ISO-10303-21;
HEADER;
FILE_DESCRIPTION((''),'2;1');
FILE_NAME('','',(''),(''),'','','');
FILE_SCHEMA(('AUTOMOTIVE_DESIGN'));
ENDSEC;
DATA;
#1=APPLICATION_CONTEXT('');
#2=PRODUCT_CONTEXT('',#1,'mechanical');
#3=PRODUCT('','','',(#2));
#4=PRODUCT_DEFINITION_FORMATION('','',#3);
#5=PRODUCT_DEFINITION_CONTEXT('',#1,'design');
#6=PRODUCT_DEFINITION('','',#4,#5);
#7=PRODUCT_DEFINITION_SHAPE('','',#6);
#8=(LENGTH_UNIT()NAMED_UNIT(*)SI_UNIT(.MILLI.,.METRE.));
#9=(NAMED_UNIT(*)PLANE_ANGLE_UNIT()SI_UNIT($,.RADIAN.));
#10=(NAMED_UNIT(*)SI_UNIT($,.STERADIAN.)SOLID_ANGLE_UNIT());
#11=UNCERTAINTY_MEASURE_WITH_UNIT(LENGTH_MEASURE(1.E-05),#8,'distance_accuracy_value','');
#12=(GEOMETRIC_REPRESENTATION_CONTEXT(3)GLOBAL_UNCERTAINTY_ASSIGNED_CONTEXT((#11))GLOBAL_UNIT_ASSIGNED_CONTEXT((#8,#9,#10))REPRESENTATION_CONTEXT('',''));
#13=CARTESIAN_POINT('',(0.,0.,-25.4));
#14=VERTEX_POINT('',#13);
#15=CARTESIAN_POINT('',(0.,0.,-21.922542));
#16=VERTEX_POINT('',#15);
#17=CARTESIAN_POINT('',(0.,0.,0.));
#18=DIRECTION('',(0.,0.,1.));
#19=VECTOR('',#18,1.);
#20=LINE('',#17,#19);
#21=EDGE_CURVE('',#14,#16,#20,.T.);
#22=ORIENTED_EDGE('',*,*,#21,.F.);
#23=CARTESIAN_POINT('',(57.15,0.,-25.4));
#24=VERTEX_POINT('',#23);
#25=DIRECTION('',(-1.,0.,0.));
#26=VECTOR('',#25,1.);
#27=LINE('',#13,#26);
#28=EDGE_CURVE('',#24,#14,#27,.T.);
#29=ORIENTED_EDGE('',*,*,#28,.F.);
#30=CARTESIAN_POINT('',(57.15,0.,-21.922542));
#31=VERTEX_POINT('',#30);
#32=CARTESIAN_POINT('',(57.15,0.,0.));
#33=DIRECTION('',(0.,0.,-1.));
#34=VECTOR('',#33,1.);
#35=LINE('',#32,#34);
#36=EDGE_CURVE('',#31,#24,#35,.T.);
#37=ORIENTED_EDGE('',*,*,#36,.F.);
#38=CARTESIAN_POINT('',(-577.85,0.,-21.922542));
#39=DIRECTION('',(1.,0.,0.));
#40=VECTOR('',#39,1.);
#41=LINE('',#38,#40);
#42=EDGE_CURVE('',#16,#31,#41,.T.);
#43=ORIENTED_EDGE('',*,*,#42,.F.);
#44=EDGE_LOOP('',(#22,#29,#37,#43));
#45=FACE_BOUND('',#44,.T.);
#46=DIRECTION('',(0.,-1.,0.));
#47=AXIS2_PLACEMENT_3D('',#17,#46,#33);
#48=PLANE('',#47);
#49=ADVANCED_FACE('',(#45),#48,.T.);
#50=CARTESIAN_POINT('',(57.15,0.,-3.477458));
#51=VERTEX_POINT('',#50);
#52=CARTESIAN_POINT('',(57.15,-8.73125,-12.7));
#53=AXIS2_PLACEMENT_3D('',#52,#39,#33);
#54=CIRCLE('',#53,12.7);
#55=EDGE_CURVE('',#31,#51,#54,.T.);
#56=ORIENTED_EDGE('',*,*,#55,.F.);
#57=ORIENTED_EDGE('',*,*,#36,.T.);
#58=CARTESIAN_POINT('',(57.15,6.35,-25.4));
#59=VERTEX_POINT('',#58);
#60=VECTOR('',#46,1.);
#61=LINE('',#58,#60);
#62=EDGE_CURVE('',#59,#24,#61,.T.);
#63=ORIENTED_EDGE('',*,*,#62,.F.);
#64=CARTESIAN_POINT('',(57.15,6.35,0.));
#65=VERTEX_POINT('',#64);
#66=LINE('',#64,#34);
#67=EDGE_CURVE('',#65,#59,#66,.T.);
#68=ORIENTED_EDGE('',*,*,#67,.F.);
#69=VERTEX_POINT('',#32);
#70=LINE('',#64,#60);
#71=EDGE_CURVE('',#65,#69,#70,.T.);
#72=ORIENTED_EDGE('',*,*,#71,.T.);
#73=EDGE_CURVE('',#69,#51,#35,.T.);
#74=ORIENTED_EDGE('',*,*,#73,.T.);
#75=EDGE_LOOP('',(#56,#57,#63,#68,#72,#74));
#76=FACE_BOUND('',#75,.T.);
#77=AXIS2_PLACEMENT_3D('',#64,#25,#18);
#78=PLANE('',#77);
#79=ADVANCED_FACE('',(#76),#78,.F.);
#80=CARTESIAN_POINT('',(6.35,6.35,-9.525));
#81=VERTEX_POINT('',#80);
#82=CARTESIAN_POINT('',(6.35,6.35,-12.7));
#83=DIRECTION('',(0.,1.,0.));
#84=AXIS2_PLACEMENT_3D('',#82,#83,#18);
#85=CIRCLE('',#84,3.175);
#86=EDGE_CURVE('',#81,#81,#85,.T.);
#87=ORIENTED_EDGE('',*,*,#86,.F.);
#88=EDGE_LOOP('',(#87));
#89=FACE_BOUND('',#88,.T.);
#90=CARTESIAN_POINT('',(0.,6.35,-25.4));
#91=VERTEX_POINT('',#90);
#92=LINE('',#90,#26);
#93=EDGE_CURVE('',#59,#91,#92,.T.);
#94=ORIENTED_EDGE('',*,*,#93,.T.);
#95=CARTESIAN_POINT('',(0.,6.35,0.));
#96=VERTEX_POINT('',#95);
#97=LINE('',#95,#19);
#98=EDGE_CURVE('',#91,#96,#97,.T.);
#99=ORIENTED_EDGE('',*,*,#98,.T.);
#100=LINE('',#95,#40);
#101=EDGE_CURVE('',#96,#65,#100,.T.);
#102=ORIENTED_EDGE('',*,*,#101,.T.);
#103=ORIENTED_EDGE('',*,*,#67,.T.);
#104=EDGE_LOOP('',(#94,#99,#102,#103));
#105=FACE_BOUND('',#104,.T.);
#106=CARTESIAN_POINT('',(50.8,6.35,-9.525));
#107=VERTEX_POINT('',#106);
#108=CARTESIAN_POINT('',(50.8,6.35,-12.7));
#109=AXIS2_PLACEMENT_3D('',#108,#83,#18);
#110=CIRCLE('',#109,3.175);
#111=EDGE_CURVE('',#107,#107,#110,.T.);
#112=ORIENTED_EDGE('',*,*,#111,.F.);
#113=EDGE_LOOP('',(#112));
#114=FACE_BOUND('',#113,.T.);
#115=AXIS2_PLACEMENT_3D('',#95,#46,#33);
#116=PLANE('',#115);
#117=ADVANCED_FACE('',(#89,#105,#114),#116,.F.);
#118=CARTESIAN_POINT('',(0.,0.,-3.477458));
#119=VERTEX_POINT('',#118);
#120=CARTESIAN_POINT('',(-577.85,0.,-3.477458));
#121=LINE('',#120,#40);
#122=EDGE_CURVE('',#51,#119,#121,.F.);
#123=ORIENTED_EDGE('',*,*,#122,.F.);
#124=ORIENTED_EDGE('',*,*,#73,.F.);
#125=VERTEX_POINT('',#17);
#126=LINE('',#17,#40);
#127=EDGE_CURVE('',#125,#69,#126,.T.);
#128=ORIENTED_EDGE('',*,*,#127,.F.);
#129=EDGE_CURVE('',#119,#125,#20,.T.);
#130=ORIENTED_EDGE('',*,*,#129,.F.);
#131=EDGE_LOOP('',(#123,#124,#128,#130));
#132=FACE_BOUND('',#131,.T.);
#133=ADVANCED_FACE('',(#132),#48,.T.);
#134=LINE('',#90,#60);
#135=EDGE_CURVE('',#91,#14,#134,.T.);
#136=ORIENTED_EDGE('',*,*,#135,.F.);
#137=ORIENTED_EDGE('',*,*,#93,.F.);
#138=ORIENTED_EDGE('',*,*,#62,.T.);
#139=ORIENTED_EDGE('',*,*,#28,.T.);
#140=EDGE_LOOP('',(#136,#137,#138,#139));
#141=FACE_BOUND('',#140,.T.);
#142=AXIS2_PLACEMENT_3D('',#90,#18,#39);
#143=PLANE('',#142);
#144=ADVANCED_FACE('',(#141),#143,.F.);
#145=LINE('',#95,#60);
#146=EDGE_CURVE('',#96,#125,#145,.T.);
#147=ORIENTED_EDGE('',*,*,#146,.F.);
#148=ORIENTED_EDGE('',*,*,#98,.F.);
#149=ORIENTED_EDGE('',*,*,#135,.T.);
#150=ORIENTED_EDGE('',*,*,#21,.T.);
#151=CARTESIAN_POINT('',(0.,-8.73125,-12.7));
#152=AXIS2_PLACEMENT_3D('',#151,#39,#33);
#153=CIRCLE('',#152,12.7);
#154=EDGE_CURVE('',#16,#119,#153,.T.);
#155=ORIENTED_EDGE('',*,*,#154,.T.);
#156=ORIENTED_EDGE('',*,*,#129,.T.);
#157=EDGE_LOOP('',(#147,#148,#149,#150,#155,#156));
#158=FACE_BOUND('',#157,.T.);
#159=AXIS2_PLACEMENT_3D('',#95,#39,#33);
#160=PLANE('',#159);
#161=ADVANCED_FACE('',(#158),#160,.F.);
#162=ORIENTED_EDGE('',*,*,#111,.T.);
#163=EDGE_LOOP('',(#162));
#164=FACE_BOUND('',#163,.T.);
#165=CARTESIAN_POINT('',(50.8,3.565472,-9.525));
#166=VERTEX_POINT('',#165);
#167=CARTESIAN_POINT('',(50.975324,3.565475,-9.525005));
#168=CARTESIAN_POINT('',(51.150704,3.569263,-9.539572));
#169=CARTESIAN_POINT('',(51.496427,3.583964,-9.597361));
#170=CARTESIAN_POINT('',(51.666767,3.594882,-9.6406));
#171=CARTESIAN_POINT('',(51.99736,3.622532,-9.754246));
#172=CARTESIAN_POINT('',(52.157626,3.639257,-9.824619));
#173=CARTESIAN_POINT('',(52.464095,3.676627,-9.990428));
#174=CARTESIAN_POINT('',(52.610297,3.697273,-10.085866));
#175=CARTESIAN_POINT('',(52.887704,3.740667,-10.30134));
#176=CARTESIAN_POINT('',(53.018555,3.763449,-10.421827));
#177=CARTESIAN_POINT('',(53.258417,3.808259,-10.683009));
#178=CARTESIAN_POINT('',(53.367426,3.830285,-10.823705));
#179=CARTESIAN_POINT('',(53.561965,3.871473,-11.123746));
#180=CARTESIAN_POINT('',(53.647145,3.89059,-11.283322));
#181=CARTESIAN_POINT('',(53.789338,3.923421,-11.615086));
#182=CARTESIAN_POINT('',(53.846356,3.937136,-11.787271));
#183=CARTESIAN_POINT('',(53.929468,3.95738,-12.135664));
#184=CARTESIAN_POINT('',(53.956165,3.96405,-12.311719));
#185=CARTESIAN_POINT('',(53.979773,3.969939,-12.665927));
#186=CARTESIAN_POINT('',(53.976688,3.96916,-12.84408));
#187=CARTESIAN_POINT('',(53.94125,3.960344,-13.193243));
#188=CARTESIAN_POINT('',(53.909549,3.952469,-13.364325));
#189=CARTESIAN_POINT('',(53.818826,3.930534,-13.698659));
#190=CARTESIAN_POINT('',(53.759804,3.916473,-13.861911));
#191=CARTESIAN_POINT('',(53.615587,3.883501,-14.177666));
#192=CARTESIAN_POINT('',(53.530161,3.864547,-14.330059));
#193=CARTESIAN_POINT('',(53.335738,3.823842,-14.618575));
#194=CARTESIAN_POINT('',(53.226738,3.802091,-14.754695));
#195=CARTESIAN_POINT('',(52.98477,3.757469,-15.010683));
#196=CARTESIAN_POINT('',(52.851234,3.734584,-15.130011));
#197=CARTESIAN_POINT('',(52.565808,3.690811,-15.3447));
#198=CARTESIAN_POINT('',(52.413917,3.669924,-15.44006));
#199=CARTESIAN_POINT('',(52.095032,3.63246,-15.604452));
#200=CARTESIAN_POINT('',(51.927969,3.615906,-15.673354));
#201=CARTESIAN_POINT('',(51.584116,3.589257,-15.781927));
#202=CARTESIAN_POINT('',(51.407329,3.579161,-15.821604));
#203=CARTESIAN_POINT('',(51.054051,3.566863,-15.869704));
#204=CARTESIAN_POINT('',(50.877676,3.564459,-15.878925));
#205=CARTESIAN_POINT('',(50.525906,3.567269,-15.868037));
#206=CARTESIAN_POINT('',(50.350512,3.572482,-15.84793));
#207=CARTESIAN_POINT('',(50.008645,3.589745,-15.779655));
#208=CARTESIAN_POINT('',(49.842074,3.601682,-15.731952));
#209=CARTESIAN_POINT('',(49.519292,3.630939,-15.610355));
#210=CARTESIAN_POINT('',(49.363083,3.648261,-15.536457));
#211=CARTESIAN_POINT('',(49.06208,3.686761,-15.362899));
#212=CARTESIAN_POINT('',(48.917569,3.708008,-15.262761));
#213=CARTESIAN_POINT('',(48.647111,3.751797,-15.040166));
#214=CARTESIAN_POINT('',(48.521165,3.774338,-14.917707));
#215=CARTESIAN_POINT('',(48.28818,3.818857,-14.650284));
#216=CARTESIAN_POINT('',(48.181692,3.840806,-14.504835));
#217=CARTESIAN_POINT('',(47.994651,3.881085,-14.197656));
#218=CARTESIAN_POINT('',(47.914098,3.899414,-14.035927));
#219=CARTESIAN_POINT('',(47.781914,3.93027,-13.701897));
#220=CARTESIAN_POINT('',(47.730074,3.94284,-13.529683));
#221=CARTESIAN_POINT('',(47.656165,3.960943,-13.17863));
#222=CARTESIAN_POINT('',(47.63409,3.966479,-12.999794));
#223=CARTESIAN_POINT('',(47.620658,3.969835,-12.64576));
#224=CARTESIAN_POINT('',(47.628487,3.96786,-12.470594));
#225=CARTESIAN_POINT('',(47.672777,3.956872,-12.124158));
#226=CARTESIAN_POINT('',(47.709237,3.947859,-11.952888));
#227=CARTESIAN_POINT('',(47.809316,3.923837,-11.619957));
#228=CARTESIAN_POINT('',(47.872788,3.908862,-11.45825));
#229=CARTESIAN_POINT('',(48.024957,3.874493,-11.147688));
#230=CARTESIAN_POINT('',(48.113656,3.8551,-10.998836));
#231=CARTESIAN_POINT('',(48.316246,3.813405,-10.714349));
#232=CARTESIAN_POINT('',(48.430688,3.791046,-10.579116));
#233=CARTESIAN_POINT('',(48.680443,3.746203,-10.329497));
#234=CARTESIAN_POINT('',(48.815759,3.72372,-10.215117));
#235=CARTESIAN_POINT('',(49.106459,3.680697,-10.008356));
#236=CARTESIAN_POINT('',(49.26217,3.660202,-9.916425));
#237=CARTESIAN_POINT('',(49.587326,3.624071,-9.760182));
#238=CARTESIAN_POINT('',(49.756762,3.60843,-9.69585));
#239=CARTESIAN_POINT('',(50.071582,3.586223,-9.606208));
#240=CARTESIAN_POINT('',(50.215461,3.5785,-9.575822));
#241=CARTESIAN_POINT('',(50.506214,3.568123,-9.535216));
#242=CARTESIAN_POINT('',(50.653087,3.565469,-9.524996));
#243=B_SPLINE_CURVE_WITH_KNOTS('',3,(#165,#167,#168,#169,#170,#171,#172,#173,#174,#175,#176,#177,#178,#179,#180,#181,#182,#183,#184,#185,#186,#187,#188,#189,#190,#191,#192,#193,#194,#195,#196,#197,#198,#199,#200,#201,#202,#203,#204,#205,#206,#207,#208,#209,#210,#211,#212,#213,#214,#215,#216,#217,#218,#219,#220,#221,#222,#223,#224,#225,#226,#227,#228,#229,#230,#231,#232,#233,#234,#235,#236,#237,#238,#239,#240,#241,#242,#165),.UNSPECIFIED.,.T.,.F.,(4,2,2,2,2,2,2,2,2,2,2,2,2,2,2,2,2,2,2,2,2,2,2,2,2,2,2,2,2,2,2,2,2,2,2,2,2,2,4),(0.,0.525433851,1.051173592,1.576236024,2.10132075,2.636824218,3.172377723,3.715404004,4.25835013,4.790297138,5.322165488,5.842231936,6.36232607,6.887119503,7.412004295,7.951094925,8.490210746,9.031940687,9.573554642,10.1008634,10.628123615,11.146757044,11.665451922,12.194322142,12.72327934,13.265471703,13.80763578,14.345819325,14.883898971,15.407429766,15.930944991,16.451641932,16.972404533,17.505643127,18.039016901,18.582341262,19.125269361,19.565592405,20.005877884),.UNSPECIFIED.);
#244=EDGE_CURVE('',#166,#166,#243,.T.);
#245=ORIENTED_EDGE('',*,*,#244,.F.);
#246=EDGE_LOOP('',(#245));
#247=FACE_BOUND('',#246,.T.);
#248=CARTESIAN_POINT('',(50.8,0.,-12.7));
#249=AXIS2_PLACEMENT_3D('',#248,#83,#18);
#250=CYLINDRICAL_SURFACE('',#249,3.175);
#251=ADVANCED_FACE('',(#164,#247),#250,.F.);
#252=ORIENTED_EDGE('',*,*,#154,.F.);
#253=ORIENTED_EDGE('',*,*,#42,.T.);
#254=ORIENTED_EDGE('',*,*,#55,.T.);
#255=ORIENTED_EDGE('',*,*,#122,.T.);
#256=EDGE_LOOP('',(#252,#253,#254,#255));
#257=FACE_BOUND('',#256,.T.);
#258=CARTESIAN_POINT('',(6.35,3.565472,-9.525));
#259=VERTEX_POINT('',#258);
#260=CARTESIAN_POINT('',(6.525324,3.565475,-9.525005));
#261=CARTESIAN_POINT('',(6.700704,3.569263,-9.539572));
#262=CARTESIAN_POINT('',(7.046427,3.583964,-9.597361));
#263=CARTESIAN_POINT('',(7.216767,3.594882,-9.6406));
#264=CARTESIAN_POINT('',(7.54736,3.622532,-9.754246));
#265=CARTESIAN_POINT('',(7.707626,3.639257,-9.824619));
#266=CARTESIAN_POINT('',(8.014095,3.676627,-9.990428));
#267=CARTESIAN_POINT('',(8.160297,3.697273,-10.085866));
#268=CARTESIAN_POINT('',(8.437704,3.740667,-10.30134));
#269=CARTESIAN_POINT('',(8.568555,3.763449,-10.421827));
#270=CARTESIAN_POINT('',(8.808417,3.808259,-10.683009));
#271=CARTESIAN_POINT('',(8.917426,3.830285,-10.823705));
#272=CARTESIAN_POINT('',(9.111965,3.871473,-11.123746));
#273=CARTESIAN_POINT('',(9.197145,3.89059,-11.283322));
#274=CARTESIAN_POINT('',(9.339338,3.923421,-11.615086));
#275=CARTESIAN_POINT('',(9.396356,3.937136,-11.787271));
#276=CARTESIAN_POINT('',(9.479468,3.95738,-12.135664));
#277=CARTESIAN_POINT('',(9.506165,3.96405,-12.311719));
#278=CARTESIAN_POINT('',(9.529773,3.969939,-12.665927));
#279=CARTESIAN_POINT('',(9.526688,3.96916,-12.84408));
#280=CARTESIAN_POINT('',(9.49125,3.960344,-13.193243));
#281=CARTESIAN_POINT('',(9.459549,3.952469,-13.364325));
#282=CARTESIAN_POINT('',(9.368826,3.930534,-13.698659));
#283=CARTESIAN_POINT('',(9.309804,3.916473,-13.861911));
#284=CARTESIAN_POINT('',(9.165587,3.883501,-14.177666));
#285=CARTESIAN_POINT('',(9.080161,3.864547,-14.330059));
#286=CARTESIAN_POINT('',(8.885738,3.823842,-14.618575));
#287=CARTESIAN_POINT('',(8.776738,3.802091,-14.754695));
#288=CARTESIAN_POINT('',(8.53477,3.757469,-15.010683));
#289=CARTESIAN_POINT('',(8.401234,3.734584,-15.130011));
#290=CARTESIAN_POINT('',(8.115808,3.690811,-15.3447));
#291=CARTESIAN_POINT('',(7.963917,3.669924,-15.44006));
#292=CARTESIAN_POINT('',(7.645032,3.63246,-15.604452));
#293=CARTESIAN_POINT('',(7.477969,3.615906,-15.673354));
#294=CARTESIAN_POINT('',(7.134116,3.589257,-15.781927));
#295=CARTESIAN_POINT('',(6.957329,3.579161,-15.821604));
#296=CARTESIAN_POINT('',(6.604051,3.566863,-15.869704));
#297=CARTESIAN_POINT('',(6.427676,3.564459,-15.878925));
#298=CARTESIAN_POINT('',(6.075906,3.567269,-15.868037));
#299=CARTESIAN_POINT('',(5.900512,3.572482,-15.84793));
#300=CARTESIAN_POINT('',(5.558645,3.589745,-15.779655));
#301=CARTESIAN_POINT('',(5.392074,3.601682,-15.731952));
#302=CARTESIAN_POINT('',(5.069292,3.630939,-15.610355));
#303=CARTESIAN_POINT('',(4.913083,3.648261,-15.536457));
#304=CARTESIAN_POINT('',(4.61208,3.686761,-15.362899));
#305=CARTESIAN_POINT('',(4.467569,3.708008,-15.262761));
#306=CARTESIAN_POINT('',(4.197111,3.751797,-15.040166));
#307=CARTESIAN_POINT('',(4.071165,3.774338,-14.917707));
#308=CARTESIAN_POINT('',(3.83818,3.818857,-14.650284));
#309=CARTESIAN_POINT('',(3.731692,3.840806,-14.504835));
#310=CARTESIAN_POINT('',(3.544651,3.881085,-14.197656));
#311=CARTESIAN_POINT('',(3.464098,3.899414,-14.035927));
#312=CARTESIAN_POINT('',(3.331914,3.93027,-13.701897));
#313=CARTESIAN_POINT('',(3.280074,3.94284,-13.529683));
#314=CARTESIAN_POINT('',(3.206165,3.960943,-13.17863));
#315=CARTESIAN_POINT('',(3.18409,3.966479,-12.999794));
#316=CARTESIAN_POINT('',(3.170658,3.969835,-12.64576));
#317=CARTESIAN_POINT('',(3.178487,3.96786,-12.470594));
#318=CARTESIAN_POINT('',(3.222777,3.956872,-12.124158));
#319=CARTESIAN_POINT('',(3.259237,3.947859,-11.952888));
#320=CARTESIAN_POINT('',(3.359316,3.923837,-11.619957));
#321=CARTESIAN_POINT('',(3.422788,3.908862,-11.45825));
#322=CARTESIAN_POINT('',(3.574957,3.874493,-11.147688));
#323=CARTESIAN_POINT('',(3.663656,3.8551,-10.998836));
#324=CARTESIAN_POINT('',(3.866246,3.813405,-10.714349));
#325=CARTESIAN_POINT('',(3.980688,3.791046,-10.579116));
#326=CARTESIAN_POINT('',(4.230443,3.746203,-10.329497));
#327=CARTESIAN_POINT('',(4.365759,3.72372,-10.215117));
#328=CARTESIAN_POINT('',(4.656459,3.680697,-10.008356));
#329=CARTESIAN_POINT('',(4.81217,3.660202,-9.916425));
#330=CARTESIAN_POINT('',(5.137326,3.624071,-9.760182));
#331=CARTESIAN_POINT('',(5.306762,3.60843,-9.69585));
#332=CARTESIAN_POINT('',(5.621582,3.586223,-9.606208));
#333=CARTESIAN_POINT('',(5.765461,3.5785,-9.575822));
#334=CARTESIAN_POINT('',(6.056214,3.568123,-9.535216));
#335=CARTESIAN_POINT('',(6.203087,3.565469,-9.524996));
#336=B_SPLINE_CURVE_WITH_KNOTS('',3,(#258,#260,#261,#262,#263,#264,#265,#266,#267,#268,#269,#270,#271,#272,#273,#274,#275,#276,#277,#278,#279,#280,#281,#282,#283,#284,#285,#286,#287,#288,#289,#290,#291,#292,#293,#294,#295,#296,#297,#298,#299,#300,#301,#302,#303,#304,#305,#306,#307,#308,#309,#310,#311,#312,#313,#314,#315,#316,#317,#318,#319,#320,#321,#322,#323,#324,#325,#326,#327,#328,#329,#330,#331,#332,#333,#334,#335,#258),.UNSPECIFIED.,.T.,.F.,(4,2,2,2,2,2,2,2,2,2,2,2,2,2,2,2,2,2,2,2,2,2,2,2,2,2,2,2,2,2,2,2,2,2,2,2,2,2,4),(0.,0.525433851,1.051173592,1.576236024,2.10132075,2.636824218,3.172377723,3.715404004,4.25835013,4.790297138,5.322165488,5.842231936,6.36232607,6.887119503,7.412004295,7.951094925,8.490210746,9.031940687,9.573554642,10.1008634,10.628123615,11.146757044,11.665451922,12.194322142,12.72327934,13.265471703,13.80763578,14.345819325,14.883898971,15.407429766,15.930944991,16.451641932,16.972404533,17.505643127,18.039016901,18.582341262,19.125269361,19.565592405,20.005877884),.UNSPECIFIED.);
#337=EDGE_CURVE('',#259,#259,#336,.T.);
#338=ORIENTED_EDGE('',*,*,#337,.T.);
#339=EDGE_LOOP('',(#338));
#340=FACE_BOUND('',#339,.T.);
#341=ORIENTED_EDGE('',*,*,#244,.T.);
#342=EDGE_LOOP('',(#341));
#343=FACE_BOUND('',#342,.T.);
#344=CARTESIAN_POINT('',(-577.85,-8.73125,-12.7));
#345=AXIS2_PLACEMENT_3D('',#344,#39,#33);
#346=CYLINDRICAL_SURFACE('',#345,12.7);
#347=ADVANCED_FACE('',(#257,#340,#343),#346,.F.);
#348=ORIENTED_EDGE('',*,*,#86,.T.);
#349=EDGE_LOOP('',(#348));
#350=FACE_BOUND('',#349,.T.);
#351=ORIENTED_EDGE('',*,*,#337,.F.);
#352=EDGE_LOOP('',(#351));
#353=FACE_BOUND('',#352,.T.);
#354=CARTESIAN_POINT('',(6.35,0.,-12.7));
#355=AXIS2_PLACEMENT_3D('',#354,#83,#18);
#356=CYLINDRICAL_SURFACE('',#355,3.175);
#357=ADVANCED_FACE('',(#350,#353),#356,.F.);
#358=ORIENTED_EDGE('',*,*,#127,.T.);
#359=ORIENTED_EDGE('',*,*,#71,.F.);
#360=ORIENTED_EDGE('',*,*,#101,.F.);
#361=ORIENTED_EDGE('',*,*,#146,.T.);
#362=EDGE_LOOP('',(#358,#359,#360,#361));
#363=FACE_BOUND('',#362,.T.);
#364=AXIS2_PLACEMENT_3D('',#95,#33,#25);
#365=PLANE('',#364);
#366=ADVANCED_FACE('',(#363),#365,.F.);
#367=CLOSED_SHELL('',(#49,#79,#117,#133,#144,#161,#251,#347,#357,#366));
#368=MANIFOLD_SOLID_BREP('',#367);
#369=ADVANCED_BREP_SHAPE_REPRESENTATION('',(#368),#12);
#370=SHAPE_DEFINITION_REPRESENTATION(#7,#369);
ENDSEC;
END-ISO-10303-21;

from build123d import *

# Parameters (mm, degrees)
SKETCH1_W           = 57.15
SKETCH1_H           = 25.4
BOSS_EXTRUDE1_DEPTH = 6.35
CUT_EXTRUDE1_DEPTH  = 635
SKETCH3_R           = 3.175
CUT_EXTRUDE2_DEPTH  = 6.35


with BuildPart() as part:
    # Sketch1 → Boss-Extrude1 (new body)
    with BuildSketch(Plane(origin=(0, 0, 0), x_dir=(1, 0, 0), z_dir=(0, 1, 0))):
        with Locations((28.575, 12.7)):
            Rectangle(SKETCH1_W, SKETCH1_H)
    extrude(amount=BOSS_EXTRUDE1_DEPTH)

    # Sketch2 → Cut-Extrude1 (cut)
    with BuildSketch(Plane(origin=(57.15, 0, 0), x_dir=(0, 0, -1), z_dir=(1, 0, 0))):
        with BuildLine():
            ThreePointArc((21.922541593, 0), (12.7, 3.96875), (3.477458407, 0))
            Line((3.477458407, 0), (21.922541593, 0))
        make_face()
    extrude(amount=-CUT_EXTRUDE1_DEPTH, mode=Mode.SUBTRACT)

    # Sketch3 → Cut-Extrude2 (cut)
    with BuildSketch(Plane(origin=(0, 6.35, 0), x_dir=(1, 0, 0), z_dir=(0, 1, 0))):
        with Locations((6.35, 12.7)):
            Circle(SKETCH3_R)
        with Locations((50.8, 12.7)):
            Circle(SKETCH3_R)
    extrude(amount=-CUT_EXTRUDE2_DEPTH, mode=Mode.SUBTRACT)


solid = part.part
